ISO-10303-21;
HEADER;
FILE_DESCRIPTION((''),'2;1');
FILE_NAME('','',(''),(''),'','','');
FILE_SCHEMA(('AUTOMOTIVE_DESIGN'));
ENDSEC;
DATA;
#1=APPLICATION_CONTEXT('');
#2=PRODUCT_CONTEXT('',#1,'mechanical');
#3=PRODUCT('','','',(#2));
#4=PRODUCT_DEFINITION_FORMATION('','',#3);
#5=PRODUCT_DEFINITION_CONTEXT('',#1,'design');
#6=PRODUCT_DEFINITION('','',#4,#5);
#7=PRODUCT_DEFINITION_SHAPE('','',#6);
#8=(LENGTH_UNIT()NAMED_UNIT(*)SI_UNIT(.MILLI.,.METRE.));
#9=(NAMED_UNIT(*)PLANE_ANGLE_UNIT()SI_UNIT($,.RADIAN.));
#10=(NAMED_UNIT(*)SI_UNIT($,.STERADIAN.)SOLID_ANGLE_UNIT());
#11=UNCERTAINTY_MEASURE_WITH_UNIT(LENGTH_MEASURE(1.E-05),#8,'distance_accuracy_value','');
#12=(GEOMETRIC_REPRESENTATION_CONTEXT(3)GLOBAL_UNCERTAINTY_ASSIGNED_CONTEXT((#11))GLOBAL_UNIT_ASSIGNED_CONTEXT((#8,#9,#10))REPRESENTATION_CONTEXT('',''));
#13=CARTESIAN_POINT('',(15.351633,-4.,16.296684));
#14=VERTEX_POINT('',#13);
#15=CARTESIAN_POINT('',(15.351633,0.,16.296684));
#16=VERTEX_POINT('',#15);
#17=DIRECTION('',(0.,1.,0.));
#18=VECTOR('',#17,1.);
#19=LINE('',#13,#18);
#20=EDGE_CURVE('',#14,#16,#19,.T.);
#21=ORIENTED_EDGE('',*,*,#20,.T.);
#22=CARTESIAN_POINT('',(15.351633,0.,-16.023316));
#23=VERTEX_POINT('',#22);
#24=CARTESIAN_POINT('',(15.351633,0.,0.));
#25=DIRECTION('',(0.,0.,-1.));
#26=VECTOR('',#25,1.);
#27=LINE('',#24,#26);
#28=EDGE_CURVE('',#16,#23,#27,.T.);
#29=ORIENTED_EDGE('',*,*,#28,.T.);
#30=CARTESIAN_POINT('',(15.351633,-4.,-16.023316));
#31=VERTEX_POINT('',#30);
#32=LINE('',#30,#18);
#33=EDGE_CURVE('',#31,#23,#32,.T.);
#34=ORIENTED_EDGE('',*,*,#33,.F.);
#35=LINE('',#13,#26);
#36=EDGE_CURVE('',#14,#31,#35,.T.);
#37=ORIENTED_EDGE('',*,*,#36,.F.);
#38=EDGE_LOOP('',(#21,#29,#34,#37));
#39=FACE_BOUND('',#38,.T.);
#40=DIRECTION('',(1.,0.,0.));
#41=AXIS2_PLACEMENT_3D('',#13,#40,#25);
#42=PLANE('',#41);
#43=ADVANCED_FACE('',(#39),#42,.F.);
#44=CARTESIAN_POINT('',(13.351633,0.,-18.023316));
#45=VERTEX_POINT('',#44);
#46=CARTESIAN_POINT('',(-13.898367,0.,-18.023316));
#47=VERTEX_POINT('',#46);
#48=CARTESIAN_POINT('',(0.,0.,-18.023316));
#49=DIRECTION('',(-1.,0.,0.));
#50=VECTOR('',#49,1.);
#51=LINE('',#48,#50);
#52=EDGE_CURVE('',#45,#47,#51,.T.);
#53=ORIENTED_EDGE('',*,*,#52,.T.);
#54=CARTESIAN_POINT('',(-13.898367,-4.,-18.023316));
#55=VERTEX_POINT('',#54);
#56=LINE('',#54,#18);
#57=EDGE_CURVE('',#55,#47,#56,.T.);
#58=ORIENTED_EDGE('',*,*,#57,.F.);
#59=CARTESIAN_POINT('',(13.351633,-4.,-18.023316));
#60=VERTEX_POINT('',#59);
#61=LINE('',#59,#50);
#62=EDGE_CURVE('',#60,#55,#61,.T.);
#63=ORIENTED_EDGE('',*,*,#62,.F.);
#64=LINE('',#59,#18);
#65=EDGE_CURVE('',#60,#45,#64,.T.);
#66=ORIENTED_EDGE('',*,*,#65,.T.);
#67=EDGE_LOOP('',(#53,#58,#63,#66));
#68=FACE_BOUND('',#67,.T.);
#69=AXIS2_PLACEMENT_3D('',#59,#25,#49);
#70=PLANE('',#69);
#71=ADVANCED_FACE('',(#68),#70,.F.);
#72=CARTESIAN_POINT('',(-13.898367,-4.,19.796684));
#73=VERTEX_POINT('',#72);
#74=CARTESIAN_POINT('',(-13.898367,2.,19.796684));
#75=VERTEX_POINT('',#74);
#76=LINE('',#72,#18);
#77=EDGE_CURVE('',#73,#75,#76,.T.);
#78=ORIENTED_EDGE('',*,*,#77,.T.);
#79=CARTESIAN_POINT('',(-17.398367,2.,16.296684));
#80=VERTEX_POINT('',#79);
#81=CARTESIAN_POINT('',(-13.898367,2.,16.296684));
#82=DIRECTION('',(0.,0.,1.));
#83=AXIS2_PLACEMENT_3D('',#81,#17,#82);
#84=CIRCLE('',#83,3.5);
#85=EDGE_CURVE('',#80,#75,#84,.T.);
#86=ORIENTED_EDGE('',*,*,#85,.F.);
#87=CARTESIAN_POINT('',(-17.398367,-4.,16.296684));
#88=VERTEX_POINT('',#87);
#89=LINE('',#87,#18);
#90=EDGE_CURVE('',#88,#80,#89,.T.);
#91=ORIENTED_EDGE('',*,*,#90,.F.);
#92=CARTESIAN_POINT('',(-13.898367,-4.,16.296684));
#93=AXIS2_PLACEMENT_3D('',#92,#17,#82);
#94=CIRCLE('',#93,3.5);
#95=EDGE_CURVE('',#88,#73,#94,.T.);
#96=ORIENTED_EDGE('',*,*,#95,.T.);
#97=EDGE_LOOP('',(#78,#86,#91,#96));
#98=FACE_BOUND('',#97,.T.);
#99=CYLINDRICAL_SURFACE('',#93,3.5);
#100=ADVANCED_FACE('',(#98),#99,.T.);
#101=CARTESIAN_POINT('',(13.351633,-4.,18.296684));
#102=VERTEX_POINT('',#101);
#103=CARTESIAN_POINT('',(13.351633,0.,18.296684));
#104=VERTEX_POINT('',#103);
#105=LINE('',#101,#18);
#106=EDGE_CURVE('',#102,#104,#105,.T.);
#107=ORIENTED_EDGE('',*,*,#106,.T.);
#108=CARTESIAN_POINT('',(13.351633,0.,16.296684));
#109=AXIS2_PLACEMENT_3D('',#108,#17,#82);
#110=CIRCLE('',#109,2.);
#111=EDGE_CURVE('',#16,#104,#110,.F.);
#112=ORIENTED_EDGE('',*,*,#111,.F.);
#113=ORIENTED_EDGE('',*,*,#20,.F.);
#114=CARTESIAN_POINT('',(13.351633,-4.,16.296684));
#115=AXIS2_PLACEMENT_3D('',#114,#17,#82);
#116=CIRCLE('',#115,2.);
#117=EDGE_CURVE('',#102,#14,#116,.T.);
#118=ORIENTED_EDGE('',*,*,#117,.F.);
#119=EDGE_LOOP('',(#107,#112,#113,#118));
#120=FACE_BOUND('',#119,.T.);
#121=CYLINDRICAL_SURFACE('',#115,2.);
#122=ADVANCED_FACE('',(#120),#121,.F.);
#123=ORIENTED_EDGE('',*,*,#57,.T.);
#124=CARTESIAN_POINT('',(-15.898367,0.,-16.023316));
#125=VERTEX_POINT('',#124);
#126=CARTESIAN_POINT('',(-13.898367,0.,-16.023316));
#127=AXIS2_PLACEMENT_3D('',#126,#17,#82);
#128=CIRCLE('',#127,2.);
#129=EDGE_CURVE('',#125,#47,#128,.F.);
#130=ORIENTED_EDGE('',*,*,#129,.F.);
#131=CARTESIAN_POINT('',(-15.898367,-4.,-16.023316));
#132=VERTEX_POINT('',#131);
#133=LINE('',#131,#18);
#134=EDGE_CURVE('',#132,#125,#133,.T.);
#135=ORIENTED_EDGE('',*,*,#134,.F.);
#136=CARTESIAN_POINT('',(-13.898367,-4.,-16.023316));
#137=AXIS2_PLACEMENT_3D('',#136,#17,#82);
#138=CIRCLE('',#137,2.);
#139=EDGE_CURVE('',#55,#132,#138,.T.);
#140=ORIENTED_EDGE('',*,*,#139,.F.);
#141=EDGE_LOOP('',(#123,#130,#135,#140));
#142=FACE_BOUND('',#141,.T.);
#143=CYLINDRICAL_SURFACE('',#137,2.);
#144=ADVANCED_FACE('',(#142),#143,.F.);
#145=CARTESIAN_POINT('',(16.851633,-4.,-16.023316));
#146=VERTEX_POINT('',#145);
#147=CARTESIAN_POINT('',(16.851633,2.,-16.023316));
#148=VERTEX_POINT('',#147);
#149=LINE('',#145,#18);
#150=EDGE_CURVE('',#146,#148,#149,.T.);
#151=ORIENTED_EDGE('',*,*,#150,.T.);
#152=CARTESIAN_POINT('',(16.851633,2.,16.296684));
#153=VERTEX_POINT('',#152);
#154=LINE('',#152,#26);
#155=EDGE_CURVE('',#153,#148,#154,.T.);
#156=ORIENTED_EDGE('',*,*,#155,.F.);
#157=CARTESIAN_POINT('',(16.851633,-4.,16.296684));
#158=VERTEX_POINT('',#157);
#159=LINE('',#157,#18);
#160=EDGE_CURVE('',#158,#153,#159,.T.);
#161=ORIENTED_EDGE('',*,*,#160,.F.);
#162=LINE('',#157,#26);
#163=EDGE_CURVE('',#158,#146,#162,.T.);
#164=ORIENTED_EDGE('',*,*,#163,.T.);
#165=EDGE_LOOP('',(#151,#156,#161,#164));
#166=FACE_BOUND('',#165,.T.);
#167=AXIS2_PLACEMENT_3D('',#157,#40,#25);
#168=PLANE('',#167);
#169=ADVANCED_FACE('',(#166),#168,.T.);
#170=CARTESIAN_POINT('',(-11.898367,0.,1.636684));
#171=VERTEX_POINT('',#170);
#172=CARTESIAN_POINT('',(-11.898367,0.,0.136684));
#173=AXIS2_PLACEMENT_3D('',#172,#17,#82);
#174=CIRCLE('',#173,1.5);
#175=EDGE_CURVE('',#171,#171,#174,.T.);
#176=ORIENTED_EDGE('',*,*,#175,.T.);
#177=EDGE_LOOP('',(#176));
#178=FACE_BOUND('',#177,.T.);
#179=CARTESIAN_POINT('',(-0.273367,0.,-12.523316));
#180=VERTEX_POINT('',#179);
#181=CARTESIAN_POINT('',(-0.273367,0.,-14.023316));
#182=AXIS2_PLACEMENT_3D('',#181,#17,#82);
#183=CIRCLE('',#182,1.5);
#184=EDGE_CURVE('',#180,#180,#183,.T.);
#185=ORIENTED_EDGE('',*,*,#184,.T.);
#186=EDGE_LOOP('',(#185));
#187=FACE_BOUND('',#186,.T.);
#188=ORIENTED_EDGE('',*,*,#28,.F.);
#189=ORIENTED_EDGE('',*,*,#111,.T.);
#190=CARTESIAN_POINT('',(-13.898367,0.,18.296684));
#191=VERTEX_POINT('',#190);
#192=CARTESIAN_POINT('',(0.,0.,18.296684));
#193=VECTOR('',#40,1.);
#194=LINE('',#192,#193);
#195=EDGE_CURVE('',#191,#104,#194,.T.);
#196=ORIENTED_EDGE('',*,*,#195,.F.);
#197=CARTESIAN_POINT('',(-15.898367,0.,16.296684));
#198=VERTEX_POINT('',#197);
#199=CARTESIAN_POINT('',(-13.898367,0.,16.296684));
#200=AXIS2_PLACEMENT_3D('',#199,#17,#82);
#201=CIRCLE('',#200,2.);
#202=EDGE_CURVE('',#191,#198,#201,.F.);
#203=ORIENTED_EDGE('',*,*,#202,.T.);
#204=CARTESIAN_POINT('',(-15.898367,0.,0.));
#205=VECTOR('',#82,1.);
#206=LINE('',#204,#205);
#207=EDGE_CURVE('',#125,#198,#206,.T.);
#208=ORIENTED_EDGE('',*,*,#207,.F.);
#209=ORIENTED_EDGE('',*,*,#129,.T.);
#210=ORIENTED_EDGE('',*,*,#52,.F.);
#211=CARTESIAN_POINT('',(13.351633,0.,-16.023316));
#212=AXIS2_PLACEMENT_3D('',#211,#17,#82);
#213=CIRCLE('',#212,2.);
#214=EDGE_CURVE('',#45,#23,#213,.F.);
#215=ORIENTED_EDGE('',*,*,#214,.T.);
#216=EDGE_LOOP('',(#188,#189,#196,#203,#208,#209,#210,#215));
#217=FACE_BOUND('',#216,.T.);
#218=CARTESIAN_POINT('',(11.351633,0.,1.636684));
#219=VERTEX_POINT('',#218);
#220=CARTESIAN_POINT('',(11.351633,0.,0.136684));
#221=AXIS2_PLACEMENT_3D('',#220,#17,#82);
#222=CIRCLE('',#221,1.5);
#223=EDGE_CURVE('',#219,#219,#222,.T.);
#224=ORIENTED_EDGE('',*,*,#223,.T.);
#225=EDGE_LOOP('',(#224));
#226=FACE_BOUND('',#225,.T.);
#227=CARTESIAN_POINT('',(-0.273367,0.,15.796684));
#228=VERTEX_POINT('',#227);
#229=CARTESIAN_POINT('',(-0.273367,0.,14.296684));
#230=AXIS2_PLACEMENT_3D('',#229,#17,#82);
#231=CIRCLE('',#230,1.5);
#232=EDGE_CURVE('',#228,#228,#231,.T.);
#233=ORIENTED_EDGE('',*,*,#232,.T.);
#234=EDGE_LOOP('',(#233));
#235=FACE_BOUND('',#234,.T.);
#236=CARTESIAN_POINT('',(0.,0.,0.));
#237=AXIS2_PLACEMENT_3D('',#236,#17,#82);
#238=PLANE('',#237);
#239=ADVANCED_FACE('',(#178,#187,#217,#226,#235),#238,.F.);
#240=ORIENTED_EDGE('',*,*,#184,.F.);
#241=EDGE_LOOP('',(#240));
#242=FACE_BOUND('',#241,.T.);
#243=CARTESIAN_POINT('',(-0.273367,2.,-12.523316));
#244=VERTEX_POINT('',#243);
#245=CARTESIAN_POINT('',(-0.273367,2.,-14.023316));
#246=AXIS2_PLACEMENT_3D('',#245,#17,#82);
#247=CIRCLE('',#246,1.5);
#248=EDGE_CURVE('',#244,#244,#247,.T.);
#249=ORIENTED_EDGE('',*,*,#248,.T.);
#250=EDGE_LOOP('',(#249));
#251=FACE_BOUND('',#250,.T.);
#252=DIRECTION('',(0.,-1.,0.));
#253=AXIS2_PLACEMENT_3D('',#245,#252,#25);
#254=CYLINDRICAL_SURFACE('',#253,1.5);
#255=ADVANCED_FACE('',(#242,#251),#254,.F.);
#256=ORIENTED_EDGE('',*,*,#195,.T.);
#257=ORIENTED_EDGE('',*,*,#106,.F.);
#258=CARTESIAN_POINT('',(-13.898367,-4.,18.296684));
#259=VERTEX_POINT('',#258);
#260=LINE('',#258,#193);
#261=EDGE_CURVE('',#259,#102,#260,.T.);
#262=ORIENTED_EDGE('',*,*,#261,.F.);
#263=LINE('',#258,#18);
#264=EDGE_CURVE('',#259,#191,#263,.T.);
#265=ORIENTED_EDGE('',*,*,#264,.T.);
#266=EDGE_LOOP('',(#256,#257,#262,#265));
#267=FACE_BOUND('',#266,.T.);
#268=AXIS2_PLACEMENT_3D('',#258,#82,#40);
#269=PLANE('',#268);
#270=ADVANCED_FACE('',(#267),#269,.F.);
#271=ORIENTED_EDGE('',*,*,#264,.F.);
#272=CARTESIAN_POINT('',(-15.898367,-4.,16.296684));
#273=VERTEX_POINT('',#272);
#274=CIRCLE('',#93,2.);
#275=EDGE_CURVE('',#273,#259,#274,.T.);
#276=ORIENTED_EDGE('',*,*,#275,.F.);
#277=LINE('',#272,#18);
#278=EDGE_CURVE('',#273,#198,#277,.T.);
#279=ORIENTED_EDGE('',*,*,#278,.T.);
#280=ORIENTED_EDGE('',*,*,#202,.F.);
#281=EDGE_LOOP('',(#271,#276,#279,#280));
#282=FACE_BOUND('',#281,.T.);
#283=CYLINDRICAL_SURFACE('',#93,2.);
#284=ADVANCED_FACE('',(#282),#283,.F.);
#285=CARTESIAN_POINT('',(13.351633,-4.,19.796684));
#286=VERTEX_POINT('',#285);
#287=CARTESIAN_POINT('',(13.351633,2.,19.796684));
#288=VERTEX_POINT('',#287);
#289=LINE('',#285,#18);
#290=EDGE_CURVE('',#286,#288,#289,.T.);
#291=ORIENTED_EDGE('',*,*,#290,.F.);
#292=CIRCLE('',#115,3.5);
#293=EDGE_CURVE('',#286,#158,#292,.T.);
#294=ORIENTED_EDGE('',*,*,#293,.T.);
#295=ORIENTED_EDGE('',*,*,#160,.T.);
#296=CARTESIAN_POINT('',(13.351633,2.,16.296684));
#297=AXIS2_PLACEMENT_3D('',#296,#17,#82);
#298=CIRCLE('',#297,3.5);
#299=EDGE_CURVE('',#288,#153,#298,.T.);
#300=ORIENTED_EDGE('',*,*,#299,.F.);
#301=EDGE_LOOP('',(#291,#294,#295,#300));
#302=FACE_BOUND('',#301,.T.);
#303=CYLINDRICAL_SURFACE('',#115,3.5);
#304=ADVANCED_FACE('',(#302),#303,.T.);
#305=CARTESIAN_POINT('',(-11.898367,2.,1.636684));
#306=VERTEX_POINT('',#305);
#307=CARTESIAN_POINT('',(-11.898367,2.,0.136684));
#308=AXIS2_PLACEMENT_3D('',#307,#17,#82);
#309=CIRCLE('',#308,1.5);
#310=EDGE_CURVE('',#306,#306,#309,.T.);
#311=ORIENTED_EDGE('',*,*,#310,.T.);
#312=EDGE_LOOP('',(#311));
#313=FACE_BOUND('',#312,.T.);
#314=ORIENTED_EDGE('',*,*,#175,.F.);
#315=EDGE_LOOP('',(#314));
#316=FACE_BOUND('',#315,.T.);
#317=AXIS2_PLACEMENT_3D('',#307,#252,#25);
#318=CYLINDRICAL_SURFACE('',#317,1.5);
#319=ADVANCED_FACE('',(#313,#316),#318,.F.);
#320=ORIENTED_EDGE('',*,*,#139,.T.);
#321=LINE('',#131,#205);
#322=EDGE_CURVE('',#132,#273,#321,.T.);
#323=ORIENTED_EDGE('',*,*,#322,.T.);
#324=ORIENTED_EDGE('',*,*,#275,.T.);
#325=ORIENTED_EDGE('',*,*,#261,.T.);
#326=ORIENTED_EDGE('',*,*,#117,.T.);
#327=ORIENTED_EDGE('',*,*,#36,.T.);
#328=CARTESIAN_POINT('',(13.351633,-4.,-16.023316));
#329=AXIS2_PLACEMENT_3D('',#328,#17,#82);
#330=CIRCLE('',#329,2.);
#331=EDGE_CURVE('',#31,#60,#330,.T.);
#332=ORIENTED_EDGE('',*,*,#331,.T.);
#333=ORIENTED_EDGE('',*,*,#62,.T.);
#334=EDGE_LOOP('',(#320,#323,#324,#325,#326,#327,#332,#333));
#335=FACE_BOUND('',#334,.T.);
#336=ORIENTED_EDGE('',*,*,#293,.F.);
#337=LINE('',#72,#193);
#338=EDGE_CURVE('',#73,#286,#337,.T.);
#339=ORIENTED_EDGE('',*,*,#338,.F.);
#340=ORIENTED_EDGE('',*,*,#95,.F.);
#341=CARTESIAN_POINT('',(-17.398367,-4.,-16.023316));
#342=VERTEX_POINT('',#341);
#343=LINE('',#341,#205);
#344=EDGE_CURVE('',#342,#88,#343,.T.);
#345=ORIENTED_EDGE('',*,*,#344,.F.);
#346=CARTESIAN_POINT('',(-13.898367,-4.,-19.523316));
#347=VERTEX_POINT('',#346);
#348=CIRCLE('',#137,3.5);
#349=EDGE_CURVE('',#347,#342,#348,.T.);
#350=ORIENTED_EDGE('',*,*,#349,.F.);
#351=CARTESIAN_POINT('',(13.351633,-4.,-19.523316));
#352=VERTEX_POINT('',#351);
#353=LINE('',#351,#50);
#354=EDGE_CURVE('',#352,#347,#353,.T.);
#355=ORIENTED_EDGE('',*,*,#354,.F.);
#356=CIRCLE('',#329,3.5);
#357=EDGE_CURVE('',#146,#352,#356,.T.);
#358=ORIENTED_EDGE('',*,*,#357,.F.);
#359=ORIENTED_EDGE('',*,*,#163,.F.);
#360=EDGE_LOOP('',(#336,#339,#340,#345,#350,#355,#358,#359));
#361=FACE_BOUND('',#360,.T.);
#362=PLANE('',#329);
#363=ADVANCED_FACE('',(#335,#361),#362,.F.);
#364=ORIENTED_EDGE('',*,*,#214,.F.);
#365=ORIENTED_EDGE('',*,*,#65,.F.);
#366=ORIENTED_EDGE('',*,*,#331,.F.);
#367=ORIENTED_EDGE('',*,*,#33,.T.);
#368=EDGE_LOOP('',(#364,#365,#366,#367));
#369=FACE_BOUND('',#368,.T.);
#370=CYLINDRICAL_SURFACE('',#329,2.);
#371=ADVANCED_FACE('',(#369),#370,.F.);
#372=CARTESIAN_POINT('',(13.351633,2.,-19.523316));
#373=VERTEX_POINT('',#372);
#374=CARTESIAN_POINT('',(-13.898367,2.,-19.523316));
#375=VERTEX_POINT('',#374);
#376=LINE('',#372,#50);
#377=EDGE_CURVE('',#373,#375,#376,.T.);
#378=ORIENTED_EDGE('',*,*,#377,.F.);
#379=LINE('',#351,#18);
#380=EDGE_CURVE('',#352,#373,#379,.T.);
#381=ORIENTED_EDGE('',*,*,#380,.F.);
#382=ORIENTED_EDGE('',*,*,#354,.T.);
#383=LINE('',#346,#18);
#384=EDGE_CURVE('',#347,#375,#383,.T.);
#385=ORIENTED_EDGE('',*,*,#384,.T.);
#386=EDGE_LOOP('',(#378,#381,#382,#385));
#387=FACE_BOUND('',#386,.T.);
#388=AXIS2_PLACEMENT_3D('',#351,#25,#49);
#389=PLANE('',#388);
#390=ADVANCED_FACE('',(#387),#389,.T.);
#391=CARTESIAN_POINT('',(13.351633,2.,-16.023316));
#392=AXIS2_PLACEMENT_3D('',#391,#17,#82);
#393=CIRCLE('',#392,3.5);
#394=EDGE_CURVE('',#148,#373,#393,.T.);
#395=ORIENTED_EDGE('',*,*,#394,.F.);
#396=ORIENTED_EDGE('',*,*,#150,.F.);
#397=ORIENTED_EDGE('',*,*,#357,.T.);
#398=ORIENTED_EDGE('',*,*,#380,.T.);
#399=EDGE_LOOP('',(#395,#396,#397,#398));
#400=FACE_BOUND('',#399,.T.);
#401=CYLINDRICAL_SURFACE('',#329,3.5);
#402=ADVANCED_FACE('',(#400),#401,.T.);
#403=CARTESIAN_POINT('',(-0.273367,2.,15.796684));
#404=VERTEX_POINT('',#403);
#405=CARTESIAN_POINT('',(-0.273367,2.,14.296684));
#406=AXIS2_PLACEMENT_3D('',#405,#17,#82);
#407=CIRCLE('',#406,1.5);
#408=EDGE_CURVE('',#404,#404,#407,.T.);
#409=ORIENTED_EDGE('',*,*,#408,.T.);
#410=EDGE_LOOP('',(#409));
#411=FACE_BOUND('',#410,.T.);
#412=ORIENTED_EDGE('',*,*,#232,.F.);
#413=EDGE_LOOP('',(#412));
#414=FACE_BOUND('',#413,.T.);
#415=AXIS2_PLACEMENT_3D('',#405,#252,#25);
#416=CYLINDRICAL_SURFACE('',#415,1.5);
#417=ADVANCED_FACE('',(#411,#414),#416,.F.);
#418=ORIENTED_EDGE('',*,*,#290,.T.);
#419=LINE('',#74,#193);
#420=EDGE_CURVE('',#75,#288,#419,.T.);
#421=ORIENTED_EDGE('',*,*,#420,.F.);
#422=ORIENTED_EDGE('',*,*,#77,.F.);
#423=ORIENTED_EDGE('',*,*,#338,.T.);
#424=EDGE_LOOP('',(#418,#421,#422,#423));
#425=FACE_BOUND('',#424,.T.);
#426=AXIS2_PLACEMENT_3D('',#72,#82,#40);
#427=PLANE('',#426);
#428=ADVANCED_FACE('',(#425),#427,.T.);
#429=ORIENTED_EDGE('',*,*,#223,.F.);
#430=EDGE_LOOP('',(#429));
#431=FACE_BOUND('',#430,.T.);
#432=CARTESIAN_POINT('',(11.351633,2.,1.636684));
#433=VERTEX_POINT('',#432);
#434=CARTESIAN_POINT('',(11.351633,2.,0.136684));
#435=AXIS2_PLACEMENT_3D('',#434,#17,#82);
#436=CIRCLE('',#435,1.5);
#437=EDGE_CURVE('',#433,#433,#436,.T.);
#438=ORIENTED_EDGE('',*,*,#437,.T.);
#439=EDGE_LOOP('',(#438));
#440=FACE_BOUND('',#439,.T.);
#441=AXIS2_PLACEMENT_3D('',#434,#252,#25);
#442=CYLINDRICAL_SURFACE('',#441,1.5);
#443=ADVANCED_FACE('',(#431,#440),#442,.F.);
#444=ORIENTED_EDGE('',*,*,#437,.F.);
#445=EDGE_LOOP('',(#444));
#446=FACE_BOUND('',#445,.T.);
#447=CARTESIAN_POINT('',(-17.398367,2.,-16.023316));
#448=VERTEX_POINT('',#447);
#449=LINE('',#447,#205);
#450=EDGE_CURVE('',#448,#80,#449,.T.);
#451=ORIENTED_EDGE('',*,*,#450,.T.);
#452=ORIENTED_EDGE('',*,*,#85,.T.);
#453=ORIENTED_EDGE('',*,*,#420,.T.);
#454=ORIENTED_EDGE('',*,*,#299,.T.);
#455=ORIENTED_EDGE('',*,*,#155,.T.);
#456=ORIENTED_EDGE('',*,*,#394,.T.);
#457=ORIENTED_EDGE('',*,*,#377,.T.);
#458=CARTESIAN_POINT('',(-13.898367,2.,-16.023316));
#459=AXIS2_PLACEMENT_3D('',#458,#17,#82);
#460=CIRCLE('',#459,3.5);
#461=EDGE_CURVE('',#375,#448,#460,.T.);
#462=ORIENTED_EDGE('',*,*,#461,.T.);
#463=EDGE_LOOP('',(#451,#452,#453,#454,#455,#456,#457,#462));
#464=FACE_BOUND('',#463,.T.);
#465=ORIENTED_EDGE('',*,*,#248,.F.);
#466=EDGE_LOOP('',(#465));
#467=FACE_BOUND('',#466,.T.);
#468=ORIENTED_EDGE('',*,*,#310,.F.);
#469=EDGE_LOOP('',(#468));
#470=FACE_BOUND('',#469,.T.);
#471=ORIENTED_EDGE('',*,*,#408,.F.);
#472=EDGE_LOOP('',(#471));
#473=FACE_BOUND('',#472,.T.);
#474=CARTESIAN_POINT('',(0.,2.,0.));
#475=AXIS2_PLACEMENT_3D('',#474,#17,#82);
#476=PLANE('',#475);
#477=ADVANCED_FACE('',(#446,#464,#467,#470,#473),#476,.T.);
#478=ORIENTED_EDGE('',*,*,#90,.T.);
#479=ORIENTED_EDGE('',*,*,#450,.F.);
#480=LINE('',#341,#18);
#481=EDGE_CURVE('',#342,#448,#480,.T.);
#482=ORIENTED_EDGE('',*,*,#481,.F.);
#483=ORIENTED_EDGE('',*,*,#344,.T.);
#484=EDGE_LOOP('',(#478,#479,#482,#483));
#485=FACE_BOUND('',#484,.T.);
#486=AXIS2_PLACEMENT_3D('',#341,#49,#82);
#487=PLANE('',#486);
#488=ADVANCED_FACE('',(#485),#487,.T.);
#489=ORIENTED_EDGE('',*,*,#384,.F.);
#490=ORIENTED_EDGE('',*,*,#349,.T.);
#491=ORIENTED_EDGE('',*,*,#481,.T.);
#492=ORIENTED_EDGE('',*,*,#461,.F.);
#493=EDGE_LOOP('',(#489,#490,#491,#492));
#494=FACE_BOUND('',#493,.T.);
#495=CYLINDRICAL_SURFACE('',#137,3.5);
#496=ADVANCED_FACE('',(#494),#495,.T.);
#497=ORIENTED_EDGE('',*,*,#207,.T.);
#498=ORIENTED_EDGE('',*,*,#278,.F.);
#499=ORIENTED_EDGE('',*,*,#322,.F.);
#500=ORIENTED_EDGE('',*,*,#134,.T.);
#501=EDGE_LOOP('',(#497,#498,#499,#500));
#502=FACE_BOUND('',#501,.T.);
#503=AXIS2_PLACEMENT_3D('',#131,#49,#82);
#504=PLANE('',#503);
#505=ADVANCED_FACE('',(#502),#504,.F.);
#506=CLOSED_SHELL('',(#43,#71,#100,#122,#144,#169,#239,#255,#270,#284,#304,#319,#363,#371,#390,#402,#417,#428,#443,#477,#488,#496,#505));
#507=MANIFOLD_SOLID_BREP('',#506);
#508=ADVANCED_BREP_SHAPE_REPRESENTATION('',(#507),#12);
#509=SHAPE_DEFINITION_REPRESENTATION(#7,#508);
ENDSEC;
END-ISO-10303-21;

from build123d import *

# Parameters (mm, degrees)
SKETCH1_W           = 31.25
SKETCH1_H           = 36.32
SKETCH1_R           = 1.5
BOSS_EXTRUDE2_DEPTH = 2
FILLET1_R           = 2
BOSS_EXTRUDE3_DEPTH = 6


with BuildPart() as part:
    # Sketch1 → Boss-Extrude2 (new body)
    with BuildSketch(Plane(origin=(0, 0, 0), x_dir=(1, 0, 0), z_dir=(0, 1, 0))):
        with Locations((-0.273367395, -0.136683698)):
            Rectangle(SKETCH1_W, SKETCH1_H)
        with Locations((-0.273367395, 14.023316302)):
            Circle(SKETCH1_R, mode=Mode.SUBTRACT)
        with Locations((-11.898367395, -0.136683698)):
            Circle(SKETCH1_R, mode=Mode.SUBTRACT)
        with Locations((-0.273367395, -14.296683698)):
            Circle(SKETCH1_R, mode=Mode.SUBTRACT)
        with Locations((11.351632605, -0.136683698)):
            Circle(SKETCH1_R, mode=Mode.SUBTRACT)
    extrude(amount=BOSS_EXTRUDE2_DEPTH)

    # Fillet1
    fillet1_edges = [part.edges().sort_by_distance(p)[0] for p in [
        (15.351632605, 1, 18.296683698),
        (-15.898367395, 1, 18.296683698),
        (-15.898367395, 1, -18.023316302),
        (15.351632605, 1, -18.023316302),
    ]]
    fillet(fillet1_edges, radius=FILLET1_R)

    # Sketch3 → Boss-Extrude3 (add)
    with BuildSketch(Plane(origin=(0, 2, 0), x_dir=(1, 0, 0), z_dir=(0, 1, 0))):
        with BuildLine():
            Line((13.351632605, 19.523316302), (-13.898367395, 19.523316302))
            ThreePointArc((-13.898367395, 19.523316302), (-16.373241129, 18.498190037), (-17.398367395, 16.023316302))
            Line((-17.398367395, 16.023316302), (-17.398367395, -16.296683698))
            ThreePointArc((-17.398367395, -16.296683698), (-16.373241129, -18.771557432), (-13.898367395, -19.796683698))
            Line((-13.898367395, -19.796683698), (13.351632605, -19.796683698))
            ThreePointArc((13.351632605, -19.796683698), (15.826506339, -18.771557432), (16.851632605, -16.296683698))
            Line((16.851632605, -16.296683698), (16.851632605, 16.023316302))
            ThreePointArc((16.851632605, 16.023316302), (15.826506339, 18.498190037), (13.351632605, 19.523316302))
        make_face()
        with BuildLine():
            Line((13.351632605, 18.023316302), (-13.898367395, 18.023316302))
            ThreePointArc((-13.898367395, 18.023316302), (-15.312580957, 17.437529865), (-15.898367395, 16.023316302))
            Line((-15.898367395, 16.023316302), (-15.898367395, -16.296683698))
            ThreePointArc((-15.898367395, -16.296683698), (-15.312580957, -17.71089726), (-13.898367395, -18.296683698))
            Line((-13.898367395, -18.296683698), (13.351632605, -18.296683698))
            ThreePointArc((13.351632605, -18.296683698), (14.765846167, -17.71089726), (15.351632605, -16.296683698))
            Line((15.351632605, -16.296683698), (15.351632605, 16.023316302))
            ThreePointArc((15.351632605, 16.023316302), (14.765846167, 17.437529865), (13.351632605, 18.023316302))
        make_face(mode=Mode.SUBTRACT)
    extrude(amount=-BOSS_EXTRUDE3_DEPTH)


solid = part.part
